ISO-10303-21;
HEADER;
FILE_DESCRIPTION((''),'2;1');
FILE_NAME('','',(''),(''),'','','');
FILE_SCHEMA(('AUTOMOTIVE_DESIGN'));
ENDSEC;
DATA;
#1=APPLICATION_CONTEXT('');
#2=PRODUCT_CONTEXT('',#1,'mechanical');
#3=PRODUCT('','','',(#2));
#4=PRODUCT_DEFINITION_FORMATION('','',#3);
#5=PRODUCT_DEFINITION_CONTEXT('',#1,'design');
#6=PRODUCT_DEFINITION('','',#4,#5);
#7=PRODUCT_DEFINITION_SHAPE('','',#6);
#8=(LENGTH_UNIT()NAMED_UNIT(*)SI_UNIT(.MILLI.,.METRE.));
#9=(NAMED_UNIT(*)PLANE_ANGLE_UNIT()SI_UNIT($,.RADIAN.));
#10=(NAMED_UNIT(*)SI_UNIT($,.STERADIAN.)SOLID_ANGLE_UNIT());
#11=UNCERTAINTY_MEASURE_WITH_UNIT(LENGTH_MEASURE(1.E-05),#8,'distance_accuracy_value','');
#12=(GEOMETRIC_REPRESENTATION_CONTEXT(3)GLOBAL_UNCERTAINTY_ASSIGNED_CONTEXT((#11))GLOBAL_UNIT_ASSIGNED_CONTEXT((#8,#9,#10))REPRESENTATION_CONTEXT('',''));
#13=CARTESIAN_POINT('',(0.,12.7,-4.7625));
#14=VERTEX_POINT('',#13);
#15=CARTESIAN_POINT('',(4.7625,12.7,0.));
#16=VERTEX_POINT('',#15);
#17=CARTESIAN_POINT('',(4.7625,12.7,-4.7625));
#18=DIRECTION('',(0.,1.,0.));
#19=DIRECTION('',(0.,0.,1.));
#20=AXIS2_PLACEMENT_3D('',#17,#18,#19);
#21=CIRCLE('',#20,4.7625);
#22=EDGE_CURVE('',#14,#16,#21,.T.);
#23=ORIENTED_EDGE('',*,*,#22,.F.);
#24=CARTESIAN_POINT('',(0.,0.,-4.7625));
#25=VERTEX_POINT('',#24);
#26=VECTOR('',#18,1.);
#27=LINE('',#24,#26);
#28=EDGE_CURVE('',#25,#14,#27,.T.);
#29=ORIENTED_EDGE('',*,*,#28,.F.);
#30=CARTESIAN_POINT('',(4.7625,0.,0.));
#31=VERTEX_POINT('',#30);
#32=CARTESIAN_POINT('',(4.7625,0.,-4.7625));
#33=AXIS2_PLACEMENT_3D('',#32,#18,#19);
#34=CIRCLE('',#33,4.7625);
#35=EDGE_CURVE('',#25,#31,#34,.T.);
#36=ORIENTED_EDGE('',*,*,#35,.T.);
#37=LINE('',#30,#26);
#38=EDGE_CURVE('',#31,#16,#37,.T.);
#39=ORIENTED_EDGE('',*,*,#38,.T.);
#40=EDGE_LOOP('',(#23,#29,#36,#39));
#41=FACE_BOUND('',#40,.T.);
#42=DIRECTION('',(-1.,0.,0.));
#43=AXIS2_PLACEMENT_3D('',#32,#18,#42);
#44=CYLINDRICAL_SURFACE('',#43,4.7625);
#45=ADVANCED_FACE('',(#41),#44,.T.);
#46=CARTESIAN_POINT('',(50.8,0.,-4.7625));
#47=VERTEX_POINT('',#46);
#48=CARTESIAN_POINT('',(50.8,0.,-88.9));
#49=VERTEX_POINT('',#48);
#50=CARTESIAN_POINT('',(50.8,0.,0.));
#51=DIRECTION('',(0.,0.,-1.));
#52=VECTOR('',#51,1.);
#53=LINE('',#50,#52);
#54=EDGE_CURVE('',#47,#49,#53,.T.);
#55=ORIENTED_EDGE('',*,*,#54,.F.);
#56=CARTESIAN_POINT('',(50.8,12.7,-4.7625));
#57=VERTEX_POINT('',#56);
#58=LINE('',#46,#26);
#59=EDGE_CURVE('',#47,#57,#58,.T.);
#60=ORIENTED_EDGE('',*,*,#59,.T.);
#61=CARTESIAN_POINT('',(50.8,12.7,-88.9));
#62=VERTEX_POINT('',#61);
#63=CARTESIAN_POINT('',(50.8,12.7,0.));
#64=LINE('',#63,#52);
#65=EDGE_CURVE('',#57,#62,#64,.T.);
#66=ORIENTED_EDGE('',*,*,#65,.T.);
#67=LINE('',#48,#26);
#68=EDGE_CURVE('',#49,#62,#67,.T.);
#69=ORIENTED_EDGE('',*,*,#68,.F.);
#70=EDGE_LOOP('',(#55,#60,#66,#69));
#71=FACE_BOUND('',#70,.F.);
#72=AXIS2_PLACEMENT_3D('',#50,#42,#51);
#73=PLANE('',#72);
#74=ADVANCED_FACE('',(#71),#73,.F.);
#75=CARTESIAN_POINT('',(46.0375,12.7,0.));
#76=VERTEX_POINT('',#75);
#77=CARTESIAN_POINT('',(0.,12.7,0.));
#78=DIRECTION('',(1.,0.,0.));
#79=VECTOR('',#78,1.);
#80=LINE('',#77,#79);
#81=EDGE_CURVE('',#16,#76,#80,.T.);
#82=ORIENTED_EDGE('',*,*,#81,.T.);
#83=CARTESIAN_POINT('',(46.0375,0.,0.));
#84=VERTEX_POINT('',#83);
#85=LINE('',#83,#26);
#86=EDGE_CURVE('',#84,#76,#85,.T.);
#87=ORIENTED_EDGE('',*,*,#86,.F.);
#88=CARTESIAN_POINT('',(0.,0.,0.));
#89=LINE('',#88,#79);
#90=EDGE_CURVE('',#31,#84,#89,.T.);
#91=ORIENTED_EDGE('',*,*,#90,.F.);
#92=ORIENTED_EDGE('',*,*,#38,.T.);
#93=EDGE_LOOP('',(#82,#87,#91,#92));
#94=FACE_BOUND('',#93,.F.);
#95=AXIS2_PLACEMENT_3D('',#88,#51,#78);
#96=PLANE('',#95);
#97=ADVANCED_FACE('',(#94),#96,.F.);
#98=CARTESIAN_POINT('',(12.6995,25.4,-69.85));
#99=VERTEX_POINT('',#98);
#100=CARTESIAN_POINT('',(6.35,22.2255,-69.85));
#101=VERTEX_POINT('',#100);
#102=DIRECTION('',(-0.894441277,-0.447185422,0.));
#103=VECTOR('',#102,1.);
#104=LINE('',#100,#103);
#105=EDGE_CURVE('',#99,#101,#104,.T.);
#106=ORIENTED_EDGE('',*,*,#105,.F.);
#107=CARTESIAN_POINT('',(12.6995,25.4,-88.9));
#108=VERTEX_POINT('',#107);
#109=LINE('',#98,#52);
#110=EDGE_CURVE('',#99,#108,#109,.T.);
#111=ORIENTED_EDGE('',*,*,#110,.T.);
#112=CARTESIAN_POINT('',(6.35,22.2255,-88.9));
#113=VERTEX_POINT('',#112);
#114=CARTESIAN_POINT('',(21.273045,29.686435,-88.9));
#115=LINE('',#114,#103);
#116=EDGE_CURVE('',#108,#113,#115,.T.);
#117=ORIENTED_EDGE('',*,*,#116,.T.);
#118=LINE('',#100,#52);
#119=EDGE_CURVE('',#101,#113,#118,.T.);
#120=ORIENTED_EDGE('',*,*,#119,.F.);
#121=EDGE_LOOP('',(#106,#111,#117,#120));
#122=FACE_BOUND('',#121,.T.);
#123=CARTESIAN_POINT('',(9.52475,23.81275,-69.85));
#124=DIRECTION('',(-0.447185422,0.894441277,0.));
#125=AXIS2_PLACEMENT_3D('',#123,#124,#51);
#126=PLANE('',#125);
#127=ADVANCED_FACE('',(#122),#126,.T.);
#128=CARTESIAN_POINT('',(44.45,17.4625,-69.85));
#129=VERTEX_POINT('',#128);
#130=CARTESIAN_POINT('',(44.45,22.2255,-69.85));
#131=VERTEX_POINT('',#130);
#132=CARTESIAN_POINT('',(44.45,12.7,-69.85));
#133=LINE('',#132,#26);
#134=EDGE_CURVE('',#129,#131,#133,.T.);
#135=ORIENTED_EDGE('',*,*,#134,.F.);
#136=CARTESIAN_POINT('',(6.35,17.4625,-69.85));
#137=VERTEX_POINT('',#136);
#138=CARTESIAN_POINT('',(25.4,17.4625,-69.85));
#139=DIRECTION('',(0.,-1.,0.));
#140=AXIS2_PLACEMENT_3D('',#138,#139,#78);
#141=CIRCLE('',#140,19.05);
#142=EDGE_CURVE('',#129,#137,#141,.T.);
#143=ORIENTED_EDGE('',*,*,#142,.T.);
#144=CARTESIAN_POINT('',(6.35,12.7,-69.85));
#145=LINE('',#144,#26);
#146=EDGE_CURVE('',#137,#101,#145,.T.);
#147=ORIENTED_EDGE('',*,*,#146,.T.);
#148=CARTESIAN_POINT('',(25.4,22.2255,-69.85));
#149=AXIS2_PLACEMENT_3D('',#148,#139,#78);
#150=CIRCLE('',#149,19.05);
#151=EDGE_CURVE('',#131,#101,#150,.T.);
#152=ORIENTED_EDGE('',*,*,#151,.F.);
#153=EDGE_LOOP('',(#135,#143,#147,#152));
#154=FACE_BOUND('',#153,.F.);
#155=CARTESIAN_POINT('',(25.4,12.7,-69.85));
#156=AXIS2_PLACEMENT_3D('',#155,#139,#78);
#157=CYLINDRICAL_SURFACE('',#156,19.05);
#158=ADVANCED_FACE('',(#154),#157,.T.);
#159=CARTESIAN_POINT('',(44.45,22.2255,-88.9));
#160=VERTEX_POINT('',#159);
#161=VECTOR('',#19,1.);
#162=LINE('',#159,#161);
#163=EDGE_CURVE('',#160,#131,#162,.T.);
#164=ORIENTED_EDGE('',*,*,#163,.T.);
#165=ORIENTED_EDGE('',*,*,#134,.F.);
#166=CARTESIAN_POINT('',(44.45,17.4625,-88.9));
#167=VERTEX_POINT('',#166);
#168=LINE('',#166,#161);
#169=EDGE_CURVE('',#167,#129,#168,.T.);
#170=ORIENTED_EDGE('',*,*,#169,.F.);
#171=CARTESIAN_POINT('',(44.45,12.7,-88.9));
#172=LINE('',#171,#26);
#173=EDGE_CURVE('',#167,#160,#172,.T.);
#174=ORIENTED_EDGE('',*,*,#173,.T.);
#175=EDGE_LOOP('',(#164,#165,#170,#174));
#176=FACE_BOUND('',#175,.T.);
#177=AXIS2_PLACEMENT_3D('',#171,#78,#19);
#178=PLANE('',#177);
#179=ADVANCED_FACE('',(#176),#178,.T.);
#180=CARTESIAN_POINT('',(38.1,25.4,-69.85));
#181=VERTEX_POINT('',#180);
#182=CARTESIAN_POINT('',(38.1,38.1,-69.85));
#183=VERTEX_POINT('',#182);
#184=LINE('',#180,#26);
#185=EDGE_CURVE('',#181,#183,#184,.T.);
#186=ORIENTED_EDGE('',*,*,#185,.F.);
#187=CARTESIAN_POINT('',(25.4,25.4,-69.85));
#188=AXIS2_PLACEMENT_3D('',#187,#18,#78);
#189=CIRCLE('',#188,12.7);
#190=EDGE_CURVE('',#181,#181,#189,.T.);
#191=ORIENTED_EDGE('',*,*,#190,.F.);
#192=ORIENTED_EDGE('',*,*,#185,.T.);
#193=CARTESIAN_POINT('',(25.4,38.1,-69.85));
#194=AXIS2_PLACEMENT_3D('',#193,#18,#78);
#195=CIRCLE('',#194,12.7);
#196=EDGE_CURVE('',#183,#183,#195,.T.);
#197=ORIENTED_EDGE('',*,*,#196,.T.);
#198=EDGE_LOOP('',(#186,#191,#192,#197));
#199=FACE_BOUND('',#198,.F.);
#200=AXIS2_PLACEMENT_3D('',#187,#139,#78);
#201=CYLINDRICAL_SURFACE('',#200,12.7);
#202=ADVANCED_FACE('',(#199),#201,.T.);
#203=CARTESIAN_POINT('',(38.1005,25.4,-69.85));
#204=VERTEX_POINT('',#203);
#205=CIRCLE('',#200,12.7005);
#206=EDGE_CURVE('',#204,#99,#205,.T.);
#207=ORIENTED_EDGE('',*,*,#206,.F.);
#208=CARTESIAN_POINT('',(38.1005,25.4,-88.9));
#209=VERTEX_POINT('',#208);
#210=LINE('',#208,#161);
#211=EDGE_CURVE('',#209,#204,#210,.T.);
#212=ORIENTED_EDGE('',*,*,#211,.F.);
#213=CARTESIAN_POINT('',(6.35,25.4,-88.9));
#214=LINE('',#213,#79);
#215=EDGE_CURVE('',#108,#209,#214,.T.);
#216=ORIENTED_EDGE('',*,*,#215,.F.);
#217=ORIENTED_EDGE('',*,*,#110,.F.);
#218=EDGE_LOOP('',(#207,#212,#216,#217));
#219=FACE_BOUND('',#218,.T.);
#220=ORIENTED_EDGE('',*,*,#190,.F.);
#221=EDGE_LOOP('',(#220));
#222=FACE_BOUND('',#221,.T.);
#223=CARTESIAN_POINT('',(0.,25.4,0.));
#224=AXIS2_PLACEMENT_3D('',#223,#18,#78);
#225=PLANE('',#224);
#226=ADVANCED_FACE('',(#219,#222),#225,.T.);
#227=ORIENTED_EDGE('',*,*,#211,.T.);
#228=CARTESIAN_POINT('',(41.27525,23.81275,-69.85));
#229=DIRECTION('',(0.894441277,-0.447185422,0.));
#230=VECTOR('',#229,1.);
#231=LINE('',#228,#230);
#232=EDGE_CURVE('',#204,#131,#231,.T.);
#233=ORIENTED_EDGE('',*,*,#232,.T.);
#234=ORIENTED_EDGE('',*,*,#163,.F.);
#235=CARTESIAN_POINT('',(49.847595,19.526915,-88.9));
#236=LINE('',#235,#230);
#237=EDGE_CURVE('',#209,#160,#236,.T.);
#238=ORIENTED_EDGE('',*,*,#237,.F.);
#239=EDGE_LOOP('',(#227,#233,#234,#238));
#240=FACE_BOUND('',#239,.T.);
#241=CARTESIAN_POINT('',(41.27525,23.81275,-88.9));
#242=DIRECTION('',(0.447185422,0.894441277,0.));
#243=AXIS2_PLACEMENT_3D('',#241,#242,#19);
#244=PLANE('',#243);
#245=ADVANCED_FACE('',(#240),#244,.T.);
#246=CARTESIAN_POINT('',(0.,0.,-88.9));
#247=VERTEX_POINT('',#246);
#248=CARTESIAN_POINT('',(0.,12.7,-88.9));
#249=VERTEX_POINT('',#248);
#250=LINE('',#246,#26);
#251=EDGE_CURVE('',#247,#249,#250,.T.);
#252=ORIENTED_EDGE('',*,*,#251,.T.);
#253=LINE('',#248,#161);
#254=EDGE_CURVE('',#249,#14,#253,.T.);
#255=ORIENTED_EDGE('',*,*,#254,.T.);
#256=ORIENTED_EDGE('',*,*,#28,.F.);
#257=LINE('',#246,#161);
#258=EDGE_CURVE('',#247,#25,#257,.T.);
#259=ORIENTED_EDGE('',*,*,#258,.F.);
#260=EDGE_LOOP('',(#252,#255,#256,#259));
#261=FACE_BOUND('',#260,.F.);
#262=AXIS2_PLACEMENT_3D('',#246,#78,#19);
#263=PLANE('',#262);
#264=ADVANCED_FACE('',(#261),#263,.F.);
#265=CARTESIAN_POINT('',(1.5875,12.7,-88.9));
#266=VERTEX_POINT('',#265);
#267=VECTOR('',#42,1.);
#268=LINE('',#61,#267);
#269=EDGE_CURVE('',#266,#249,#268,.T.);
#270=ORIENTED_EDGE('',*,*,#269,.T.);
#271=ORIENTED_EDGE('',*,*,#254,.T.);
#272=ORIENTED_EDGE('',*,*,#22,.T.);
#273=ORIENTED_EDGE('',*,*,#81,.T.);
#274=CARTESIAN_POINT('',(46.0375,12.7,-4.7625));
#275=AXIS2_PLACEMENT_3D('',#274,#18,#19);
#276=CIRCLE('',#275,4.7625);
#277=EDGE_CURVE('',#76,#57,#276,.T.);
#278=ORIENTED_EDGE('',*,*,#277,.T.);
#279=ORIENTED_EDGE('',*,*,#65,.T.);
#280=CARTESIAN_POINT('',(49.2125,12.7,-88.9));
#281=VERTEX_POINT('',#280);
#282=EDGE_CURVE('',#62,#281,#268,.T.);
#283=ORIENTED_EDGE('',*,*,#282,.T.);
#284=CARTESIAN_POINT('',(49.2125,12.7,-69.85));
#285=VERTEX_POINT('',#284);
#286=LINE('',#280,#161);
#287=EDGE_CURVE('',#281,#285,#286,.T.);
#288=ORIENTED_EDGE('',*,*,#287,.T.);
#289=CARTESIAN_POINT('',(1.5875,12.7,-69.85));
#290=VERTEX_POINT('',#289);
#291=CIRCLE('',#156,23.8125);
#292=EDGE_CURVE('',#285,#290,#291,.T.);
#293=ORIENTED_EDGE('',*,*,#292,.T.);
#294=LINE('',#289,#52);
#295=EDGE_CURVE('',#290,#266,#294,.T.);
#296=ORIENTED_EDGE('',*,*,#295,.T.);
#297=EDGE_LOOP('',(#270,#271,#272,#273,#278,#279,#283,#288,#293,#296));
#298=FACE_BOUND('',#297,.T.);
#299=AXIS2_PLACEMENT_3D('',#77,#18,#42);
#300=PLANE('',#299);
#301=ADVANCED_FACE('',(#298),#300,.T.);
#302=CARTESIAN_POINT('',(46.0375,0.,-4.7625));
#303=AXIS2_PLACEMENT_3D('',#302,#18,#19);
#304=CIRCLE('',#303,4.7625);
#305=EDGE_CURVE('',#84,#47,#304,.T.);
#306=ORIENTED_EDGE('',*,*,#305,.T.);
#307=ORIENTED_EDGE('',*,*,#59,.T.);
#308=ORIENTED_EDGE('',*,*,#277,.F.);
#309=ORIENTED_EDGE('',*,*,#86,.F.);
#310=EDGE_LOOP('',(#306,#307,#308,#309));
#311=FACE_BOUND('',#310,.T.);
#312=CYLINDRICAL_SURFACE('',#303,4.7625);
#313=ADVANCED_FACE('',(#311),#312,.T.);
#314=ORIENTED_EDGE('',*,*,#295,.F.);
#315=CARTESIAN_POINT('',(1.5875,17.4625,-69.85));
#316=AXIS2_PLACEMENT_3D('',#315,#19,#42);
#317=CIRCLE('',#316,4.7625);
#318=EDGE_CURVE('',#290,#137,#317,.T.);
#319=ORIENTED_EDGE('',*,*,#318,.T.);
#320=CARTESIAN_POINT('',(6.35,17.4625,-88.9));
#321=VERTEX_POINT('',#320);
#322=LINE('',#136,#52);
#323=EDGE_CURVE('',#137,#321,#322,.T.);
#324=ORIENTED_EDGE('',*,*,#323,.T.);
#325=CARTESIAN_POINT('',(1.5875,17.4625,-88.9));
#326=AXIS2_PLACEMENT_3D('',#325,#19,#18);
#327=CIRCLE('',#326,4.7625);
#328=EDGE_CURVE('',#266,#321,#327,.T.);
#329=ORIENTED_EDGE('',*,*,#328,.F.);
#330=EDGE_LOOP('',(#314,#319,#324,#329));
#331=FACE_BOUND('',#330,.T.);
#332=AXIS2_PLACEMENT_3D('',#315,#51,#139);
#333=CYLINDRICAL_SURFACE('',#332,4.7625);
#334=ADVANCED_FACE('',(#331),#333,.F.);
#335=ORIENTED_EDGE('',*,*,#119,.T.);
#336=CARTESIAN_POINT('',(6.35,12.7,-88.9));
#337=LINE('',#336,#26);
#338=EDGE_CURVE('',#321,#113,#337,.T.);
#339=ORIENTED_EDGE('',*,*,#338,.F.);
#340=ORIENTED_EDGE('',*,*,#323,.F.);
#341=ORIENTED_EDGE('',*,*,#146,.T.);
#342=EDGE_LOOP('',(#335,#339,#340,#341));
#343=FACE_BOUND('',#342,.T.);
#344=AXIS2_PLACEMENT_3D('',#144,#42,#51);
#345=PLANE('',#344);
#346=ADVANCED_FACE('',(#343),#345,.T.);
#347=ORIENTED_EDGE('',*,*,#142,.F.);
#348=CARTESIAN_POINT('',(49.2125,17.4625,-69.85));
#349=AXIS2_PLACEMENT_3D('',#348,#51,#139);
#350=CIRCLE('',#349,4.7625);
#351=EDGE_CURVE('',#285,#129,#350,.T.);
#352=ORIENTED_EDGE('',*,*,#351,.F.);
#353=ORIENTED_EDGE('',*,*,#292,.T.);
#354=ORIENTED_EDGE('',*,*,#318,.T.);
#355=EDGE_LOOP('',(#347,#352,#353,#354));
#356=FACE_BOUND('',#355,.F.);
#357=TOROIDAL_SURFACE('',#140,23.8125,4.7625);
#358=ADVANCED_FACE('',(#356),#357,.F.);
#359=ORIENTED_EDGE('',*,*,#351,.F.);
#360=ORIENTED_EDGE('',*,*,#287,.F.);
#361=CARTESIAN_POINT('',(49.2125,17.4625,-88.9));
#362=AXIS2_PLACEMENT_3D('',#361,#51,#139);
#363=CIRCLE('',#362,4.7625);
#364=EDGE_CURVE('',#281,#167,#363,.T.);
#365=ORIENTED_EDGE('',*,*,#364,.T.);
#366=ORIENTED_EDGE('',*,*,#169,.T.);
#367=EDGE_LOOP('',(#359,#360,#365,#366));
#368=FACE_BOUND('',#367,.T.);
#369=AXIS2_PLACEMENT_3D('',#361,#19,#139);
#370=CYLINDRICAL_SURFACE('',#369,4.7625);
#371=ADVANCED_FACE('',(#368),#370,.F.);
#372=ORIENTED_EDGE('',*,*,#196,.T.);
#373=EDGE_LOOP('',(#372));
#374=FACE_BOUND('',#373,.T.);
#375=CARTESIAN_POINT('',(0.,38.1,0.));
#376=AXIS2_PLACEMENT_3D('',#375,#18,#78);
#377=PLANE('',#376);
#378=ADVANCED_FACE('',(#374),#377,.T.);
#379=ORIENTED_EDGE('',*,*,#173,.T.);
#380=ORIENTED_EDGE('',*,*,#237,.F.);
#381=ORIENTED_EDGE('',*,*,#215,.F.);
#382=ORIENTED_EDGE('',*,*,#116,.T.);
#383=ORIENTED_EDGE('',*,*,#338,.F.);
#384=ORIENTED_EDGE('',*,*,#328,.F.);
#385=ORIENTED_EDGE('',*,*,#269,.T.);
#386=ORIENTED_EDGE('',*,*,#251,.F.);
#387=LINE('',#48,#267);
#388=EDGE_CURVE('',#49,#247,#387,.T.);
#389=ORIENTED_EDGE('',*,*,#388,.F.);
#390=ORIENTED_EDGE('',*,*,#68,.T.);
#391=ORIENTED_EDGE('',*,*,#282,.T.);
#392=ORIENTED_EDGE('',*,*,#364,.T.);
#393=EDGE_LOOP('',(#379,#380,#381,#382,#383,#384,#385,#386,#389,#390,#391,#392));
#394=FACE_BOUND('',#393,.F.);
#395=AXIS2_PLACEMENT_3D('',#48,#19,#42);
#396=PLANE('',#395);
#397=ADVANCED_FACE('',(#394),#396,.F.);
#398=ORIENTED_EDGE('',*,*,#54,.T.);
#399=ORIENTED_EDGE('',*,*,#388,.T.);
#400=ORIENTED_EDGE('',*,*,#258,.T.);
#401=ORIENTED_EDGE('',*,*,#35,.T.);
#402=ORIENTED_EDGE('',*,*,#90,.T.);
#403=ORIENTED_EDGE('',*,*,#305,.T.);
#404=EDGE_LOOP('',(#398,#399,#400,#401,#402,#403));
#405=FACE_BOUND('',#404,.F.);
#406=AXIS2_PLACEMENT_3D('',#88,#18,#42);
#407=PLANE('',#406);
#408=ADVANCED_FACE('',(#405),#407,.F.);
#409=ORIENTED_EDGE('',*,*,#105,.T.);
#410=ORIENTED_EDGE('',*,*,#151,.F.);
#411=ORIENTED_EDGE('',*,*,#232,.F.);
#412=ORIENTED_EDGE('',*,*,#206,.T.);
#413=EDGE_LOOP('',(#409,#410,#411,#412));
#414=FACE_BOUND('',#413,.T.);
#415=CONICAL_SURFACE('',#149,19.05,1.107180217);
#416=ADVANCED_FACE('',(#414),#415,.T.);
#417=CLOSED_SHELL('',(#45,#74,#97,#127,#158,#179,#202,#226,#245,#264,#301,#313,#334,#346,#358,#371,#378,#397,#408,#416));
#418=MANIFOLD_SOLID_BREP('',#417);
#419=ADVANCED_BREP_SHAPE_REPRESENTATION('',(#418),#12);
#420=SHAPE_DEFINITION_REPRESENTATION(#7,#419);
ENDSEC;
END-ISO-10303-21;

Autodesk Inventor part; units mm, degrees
ref_plane "YZ Plane" through (0, 0, 0) normal (1, 0, 0) x (0, 1, 0)
ref_plane "XZ Plane" through (0, 0, 0) normal (0, 1, 0) x (-1, 0, 0)
ref_plane "XY Plane" through (0, 0, 0) normal (0, 0, 1) x (1, 0, 0)
sketch "Sketch1" plane through (0, 0, 0) normal (0, 1, 0) x (-1, 0, 0)
  line L0 (0, 0) -> (-50.8, 0)
  line L1 (-50.8, 0) -> (-50.8, -88.9)
  line L2 (-50.8, -88.9) -> (0, -88.9)
  line L3 (0, -88.9) -> (0, 0)
  dimension "d0" = 50.8
  dimension "d1" = 88.9
extrude "Extrusion1" add sketch "Sketch1" along normal blind 12.7
sketch "Sketch2" plane through (0, 12.7, 0) normal (0, 1, 0) x (1, 0, 0)
  line L0 (50.8, 0) -> (50.8, 88.9) projected
  line L1 (50.8, 88.9) -> (0, 88.9) projected
  line L2 (0, 88.9) -> (0, 0) projected
  line L3 (6.35, 88.9) -> (44.45, 88.9)
  line L4 (44.45, 88.9) -> (44.45, 69.85)
  line L5 (44.45, 69.85) -> (6.35, 69.85)
  line L6 (6.35, 69.85) -> (6.35, 88.9)
  line L7 (6.35, 79.375) -> (0, 79.375) construction
  line L8 (44.45, 79.375) -> (50.8, 79.375) construction
  circle A0 centre (25.4, 69.85) radius 19.05
  dimension "d4" = 19.05
  dimension "d5" = 6.35
extrude "Extrusion2" add sketch "Sketch2" along normal blind 12.7
sketch "Sketch3" plane through (0, 25.4, 0) normal (0, 1, 0) x (1, 0, 0)
  arc A0 (6.35, 69.85) -> (44.45, 69.85) centre (25.4, 69.85) ccw projected
  circle A1 centre (25.4, 69.85) radius 12.7
  point P0 (0, 0)
  dimension "d8" = 25.4
extrude "Extrusion3" add sketch "Sketch3" along normal blind 12.7
fillet "Fillet2" radius 4.7625 5 edges at (50.8, 6.35, 0) (0, 6.35, 0) (6.35, 12.7, -79.375) (44.45, 12.7, -79.375) (25.4, 12.7, -50.8)
chamfer "Chamfer1" distance 6.35 distance2 3.175 3 edges at (44.45, 25.4, -79.375) (25.4, 25.4, -50.8) (6.35, 25.4, -79.375) measured on face at (24.8897, 25.4, -86.7525)
properties part number "Fillet Chamfer Complete"
